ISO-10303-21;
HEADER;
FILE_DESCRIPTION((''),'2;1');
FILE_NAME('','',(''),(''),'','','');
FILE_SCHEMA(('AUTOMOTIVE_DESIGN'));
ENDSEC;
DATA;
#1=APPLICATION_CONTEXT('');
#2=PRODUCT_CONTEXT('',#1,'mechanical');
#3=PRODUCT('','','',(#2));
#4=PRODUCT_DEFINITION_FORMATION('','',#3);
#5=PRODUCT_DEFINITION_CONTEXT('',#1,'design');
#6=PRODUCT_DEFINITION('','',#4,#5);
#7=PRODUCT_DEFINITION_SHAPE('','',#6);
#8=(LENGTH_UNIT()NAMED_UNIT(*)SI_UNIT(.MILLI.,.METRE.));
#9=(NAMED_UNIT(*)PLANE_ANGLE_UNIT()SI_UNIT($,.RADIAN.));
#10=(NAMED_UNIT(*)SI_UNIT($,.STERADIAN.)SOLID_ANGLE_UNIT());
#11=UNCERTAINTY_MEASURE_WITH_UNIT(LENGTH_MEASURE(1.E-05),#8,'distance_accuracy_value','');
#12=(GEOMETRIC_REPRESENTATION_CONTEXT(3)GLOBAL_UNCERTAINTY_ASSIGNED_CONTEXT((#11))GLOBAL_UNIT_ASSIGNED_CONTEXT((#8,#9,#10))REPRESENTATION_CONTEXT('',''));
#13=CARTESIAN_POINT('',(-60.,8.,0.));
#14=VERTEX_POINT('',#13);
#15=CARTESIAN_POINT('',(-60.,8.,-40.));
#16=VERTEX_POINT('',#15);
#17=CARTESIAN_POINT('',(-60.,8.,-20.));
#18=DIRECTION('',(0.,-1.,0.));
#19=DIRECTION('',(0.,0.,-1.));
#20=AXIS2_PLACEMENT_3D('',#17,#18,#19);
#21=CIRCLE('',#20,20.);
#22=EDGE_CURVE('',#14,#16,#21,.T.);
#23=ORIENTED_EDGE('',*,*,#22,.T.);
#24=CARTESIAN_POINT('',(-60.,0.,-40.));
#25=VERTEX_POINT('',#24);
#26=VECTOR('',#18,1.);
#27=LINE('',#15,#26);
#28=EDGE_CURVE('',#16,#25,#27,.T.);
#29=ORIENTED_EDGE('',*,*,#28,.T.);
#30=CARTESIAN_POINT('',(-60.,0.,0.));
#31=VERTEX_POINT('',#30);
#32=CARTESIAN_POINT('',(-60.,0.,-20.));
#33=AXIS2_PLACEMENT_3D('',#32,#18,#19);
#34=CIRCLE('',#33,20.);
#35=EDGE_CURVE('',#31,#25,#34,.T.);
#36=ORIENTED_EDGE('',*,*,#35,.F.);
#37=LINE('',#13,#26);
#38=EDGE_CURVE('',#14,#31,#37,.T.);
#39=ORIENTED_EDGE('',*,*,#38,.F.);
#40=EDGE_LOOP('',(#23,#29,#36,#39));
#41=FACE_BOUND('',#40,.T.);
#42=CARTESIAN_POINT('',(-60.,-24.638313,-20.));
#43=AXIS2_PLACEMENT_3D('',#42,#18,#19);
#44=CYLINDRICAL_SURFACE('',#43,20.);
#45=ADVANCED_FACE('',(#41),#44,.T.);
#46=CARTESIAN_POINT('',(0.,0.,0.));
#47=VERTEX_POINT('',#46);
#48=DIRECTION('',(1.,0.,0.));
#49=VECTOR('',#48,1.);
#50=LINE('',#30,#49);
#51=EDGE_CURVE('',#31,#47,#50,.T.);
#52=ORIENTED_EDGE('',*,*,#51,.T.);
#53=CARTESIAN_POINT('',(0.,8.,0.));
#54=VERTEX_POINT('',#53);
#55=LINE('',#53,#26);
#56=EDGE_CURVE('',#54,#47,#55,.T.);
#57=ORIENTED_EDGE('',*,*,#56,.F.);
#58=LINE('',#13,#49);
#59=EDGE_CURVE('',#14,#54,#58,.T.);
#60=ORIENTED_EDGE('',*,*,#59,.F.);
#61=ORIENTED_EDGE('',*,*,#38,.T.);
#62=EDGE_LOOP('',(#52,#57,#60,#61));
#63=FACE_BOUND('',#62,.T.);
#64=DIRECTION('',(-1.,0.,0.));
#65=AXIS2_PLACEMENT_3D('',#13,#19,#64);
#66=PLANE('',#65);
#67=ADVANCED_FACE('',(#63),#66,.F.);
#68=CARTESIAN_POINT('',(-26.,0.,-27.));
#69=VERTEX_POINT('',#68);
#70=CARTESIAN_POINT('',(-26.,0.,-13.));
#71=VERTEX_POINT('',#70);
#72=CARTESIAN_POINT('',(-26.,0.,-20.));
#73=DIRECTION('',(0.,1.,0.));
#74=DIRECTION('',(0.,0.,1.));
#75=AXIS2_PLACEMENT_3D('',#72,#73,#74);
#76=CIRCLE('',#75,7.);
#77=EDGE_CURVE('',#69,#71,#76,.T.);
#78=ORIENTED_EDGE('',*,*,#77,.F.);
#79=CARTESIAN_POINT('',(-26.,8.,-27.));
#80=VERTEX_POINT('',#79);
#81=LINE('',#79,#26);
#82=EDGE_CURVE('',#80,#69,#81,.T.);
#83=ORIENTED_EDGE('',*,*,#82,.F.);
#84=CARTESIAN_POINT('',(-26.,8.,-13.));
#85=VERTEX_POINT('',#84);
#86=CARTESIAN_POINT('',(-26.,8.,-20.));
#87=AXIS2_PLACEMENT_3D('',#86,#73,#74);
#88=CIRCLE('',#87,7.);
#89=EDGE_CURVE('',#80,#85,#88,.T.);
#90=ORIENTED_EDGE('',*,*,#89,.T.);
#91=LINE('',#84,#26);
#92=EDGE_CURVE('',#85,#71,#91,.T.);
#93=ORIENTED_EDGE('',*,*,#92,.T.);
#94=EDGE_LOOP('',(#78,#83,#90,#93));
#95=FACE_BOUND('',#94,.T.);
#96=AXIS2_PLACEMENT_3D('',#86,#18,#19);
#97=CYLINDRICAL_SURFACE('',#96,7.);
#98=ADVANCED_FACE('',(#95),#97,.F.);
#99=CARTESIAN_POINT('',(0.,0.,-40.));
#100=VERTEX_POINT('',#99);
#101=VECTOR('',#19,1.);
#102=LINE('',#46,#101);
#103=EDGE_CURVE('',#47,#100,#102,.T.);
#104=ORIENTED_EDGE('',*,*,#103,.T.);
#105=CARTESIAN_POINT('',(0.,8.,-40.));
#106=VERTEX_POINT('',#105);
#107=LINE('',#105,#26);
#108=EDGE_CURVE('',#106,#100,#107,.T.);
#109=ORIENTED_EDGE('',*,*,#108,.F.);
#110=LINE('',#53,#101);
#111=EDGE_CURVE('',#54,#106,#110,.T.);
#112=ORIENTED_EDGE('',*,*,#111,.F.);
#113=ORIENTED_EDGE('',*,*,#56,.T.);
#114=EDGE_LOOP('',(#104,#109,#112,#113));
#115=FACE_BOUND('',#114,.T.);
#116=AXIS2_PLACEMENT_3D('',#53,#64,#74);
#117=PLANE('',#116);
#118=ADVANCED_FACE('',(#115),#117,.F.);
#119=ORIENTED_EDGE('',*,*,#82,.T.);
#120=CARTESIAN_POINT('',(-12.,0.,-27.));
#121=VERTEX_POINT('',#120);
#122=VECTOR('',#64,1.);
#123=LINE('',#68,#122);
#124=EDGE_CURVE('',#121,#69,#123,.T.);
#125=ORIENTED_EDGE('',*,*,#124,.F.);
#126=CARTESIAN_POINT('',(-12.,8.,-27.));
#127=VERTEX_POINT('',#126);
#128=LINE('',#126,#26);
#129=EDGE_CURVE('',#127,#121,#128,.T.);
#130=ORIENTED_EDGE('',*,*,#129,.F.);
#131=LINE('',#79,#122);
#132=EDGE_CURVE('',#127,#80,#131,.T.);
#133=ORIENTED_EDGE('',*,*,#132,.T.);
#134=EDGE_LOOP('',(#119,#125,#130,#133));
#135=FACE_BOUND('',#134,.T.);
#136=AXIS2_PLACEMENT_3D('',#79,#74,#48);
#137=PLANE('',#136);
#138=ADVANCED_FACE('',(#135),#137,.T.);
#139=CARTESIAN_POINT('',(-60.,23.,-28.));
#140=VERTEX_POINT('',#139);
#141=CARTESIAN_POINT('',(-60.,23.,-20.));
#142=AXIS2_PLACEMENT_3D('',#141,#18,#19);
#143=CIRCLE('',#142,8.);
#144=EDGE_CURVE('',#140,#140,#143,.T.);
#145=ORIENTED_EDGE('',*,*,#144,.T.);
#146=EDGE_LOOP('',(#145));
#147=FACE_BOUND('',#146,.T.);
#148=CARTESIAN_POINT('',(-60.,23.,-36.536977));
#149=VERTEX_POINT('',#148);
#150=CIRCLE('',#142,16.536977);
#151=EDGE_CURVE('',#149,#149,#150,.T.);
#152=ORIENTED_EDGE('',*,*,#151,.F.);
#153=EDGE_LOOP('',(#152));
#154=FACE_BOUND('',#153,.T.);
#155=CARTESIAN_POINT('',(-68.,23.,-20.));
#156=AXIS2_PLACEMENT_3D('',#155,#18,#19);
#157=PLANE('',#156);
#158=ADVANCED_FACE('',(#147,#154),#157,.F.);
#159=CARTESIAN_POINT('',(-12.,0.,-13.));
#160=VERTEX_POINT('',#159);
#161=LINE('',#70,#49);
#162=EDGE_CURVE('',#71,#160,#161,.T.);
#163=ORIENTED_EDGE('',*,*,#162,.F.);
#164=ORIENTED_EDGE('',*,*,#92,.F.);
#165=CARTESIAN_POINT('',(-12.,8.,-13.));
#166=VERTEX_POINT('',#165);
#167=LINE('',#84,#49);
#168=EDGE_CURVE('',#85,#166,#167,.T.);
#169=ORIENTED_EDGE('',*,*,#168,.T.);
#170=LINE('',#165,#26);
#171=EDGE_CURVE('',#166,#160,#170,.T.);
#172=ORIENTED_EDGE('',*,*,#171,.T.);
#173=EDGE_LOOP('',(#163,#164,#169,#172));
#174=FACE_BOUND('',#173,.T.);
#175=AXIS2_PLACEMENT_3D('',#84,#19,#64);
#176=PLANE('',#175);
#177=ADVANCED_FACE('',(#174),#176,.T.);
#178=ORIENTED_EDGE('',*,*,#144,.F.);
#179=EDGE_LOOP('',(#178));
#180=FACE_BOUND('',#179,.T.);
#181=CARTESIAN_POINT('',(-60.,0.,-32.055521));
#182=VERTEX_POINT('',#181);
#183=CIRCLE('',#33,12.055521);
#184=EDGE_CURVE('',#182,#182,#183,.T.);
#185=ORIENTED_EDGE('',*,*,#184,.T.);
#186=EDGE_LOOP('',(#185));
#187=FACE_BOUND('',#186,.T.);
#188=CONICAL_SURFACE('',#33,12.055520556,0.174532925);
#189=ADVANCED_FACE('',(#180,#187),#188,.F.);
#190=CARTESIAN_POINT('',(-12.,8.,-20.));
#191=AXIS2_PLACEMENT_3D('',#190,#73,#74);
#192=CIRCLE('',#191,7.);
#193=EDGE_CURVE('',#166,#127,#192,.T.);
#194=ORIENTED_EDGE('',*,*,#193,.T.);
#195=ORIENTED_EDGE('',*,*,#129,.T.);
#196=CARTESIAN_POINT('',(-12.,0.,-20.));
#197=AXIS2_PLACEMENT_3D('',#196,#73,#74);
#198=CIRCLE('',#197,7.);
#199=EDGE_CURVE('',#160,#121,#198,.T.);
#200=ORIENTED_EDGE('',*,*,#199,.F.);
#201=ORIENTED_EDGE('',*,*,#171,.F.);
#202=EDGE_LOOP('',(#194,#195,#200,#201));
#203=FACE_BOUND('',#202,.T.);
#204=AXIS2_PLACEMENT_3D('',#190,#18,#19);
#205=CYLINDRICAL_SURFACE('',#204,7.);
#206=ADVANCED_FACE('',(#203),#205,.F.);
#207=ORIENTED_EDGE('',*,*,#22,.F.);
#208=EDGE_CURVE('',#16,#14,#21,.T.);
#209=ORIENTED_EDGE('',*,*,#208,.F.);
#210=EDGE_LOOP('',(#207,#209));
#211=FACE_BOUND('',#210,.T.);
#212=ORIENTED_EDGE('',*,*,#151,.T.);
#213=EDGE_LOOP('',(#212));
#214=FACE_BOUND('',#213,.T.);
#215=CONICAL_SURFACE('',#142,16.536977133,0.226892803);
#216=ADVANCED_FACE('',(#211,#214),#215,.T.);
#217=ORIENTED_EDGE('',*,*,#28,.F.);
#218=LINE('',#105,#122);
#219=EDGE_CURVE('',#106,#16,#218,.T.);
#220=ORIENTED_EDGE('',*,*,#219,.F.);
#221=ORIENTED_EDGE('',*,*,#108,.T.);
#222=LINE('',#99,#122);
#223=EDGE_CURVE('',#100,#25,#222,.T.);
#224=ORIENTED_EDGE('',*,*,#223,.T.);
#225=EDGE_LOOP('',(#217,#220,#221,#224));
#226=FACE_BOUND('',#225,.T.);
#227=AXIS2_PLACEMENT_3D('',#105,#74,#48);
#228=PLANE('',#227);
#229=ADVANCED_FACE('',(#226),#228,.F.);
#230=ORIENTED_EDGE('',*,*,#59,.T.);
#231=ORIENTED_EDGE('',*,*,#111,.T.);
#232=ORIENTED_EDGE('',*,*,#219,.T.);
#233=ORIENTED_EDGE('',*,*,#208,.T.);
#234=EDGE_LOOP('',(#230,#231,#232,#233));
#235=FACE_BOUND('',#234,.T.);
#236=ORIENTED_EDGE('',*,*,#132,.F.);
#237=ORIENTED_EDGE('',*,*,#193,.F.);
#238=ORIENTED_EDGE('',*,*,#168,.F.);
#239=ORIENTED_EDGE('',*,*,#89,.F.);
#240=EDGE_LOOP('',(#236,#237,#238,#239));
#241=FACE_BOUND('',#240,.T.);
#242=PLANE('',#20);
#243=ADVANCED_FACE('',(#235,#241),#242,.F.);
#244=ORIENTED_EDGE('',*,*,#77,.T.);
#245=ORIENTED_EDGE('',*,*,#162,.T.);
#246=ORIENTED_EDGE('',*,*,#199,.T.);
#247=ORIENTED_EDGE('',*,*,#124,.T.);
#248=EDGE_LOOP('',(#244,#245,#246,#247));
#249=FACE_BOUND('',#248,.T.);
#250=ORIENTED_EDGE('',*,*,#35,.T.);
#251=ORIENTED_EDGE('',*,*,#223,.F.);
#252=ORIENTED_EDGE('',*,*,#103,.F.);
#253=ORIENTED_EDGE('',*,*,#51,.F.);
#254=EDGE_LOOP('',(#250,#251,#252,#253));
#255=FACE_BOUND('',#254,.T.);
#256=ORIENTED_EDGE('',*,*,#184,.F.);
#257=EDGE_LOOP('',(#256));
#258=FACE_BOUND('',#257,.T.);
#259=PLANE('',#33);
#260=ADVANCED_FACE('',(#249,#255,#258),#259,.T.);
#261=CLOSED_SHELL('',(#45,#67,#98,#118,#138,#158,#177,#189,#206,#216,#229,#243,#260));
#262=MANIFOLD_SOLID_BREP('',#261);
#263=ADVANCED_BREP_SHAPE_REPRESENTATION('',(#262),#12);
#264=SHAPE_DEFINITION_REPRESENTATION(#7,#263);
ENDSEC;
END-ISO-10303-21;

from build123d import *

# Parameters (mm, degrees)
SALIENTE_EXTRUIR1_DEPTH = 8


with BuildPart() as part:
    # Croquis2 → Saliente-Extruir1 (new body)
    with BuildSketch(Plane(origin=(0, 0, 0), x_dir=(1, 0, 0), z_dir=(0, 1, 0))):
        with BuildLine():
            Line((0, 0), (0, 40))
            Line((0, 40), (-60, 40))
            ThreePointArc((-60, 40), (-40, 20), (-60, 0))
            Line((-60, 0), (0, 0))
        make_face()
        with BuildLine():
            Line((-26, 27), (-12, 27))
            ThreePointArc((-12, 27), (-5, 20), (-12, 13))
            Line((-12, 13), (-26, 13))
            ThreePointArc((-26, 13), (-33, 20), (-26, 27))
        make_face(mode=Mode.SUBTRACT)
    extrude(amount=SALIENTE_EXTRUIR1_DEPTH)

    # Croquis6 → Revolución1 (revolve)
    with BuildSketch(Plane.XY.offset(-20)):
        Polygon((-72.055520556, 0), (-68, 23), (-76.536977133, 23), (-80, 8), (-80, 0), align=None)
    revolve(axis=Axis((-60, -24.638312798, -20), (0, 1, 0)))


solid = part.part
